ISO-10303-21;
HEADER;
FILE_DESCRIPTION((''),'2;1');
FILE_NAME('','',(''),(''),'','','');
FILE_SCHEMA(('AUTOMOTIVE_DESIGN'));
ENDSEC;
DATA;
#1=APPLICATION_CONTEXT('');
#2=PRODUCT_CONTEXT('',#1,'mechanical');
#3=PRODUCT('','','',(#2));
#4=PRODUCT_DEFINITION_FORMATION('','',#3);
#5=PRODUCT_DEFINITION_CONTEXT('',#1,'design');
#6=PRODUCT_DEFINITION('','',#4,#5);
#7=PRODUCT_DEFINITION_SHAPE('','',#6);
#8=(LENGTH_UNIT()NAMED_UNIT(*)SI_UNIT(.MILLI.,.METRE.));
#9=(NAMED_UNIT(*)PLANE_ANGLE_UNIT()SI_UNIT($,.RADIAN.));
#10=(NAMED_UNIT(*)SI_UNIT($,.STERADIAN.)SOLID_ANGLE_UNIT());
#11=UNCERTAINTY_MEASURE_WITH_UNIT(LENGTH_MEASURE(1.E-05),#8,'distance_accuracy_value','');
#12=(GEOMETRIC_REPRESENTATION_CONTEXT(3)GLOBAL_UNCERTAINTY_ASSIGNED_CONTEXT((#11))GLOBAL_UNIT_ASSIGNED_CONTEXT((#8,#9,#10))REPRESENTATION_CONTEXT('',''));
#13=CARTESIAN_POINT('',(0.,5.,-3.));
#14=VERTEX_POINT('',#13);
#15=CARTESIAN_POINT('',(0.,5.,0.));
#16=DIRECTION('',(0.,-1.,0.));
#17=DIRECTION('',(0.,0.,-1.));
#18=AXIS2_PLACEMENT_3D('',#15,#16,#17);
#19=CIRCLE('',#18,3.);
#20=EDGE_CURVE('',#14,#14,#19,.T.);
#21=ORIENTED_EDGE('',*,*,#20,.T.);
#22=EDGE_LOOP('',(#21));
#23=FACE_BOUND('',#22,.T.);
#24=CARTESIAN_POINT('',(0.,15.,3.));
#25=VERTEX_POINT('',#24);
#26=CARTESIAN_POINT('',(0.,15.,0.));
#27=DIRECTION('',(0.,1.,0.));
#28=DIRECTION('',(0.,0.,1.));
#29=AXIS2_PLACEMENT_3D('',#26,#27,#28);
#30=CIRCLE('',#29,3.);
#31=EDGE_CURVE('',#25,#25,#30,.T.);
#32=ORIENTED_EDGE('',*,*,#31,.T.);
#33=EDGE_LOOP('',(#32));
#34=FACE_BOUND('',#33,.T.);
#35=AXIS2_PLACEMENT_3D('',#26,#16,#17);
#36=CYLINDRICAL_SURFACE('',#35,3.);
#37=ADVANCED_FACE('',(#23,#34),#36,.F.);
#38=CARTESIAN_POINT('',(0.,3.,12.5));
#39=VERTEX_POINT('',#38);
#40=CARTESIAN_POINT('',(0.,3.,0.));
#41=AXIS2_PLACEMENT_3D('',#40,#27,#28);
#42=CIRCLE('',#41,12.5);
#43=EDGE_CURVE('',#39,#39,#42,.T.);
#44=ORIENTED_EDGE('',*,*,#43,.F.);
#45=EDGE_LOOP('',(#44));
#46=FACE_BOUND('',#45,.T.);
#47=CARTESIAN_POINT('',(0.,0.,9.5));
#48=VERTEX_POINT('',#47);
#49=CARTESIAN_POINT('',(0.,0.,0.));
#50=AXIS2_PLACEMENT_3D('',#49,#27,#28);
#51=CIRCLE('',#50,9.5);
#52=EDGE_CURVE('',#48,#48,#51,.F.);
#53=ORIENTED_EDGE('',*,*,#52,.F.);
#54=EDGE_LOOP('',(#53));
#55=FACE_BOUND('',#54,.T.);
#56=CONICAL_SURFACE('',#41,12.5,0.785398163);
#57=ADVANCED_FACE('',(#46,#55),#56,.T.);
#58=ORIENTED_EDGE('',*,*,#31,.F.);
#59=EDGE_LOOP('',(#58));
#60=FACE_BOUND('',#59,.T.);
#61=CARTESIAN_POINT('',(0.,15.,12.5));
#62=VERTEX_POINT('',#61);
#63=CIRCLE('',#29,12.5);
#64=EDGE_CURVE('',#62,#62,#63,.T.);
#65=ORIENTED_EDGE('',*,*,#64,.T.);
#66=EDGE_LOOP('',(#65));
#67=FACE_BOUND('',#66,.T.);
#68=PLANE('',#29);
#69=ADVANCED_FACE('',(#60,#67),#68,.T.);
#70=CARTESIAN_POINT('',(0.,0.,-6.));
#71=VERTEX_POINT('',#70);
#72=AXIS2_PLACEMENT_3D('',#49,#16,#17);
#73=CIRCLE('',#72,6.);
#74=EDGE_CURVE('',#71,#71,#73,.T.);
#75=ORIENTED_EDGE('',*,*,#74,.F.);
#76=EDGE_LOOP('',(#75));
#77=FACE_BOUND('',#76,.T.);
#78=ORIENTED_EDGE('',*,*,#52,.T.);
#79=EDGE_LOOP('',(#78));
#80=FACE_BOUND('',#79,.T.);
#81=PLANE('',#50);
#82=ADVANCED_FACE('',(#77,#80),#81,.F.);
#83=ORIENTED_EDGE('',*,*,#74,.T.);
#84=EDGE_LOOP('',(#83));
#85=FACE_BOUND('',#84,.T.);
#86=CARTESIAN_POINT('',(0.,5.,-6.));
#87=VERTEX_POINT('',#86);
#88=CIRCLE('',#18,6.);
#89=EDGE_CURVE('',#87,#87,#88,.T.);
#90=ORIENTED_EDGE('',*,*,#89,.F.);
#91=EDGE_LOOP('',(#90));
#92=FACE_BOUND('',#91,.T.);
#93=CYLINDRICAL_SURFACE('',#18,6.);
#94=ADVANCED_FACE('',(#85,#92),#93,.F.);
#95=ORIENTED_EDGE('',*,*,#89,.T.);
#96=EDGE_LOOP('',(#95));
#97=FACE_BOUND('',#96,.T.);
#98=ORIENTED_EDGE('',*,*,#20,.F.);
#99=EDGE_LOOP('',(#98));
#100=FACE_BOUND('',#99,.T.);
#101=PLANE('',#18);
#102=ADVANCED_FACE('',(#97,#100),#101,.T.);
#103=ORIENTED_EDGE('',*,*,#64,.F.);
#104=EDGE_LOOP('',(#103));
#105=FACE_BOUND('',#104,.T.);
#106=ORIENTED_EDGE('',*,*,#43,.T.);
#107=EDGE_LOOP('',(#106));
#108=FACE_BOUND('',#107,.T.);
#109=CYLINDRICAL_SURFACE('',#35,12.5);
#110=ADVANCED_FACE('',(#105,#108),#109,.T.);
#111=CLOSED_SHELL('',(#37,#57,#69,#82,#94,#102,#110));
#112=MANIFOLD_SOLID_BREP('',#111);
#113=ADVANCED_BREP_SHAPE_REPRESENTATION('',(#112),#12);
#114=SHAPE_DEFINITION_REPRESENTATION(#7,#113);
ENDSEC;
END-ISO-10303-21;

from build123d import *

# Parameters (mm, degrees)
SKETCH1_R           = 12.5
SKETCH1_R_2         = 3
BOSS_EXTRUDE1_DEPTH = 15
CHAMFER1_SIZE       = 3
SKETCH2_R           = 6
CUT_EXTRUDE1_DEPTH  = 5


with BuildPart() as part:
    # Sketch1 → Boss-Extrude1 (new body)
    with BuildSketch(Plane(origin=(0, 0, 0), x_dir=(1, 0, 0), z_dir=(0, 1, 0))):
        with Locations(Location((0, 0, 0), (0, 0, 270))):
            Circle(SKETCH1_R)
        with Locations(Location((0, 0, 0), (0, 0, 270))):
            Circle(SKETCH1_R_2, mode=Mode.SUBTRACT)
    extrude(amount=BOSS_EXTRUDE1_DEPTH)

    # Chamfer1
    chamfer1_edges = [part.edges().sort_by_distance(p)[0] for p in [
        (0, 0, -12.5),
    ]]
    chamfer(chamfer1_edges, length=CHAMFER1_SIZE)

    # Sketch2 → Cut-Extrude1 (cut)
    with BuildSketch(Plane.XZ):
        with Locations(Location((0, 0, 0), (0, 0, 270))):
            Circle(SKETCH2_R)
    extrude(amount=-CUT_EXTRUDE1_DEPTH, mode=Mode.SUBTRACT)


solid = part.part
